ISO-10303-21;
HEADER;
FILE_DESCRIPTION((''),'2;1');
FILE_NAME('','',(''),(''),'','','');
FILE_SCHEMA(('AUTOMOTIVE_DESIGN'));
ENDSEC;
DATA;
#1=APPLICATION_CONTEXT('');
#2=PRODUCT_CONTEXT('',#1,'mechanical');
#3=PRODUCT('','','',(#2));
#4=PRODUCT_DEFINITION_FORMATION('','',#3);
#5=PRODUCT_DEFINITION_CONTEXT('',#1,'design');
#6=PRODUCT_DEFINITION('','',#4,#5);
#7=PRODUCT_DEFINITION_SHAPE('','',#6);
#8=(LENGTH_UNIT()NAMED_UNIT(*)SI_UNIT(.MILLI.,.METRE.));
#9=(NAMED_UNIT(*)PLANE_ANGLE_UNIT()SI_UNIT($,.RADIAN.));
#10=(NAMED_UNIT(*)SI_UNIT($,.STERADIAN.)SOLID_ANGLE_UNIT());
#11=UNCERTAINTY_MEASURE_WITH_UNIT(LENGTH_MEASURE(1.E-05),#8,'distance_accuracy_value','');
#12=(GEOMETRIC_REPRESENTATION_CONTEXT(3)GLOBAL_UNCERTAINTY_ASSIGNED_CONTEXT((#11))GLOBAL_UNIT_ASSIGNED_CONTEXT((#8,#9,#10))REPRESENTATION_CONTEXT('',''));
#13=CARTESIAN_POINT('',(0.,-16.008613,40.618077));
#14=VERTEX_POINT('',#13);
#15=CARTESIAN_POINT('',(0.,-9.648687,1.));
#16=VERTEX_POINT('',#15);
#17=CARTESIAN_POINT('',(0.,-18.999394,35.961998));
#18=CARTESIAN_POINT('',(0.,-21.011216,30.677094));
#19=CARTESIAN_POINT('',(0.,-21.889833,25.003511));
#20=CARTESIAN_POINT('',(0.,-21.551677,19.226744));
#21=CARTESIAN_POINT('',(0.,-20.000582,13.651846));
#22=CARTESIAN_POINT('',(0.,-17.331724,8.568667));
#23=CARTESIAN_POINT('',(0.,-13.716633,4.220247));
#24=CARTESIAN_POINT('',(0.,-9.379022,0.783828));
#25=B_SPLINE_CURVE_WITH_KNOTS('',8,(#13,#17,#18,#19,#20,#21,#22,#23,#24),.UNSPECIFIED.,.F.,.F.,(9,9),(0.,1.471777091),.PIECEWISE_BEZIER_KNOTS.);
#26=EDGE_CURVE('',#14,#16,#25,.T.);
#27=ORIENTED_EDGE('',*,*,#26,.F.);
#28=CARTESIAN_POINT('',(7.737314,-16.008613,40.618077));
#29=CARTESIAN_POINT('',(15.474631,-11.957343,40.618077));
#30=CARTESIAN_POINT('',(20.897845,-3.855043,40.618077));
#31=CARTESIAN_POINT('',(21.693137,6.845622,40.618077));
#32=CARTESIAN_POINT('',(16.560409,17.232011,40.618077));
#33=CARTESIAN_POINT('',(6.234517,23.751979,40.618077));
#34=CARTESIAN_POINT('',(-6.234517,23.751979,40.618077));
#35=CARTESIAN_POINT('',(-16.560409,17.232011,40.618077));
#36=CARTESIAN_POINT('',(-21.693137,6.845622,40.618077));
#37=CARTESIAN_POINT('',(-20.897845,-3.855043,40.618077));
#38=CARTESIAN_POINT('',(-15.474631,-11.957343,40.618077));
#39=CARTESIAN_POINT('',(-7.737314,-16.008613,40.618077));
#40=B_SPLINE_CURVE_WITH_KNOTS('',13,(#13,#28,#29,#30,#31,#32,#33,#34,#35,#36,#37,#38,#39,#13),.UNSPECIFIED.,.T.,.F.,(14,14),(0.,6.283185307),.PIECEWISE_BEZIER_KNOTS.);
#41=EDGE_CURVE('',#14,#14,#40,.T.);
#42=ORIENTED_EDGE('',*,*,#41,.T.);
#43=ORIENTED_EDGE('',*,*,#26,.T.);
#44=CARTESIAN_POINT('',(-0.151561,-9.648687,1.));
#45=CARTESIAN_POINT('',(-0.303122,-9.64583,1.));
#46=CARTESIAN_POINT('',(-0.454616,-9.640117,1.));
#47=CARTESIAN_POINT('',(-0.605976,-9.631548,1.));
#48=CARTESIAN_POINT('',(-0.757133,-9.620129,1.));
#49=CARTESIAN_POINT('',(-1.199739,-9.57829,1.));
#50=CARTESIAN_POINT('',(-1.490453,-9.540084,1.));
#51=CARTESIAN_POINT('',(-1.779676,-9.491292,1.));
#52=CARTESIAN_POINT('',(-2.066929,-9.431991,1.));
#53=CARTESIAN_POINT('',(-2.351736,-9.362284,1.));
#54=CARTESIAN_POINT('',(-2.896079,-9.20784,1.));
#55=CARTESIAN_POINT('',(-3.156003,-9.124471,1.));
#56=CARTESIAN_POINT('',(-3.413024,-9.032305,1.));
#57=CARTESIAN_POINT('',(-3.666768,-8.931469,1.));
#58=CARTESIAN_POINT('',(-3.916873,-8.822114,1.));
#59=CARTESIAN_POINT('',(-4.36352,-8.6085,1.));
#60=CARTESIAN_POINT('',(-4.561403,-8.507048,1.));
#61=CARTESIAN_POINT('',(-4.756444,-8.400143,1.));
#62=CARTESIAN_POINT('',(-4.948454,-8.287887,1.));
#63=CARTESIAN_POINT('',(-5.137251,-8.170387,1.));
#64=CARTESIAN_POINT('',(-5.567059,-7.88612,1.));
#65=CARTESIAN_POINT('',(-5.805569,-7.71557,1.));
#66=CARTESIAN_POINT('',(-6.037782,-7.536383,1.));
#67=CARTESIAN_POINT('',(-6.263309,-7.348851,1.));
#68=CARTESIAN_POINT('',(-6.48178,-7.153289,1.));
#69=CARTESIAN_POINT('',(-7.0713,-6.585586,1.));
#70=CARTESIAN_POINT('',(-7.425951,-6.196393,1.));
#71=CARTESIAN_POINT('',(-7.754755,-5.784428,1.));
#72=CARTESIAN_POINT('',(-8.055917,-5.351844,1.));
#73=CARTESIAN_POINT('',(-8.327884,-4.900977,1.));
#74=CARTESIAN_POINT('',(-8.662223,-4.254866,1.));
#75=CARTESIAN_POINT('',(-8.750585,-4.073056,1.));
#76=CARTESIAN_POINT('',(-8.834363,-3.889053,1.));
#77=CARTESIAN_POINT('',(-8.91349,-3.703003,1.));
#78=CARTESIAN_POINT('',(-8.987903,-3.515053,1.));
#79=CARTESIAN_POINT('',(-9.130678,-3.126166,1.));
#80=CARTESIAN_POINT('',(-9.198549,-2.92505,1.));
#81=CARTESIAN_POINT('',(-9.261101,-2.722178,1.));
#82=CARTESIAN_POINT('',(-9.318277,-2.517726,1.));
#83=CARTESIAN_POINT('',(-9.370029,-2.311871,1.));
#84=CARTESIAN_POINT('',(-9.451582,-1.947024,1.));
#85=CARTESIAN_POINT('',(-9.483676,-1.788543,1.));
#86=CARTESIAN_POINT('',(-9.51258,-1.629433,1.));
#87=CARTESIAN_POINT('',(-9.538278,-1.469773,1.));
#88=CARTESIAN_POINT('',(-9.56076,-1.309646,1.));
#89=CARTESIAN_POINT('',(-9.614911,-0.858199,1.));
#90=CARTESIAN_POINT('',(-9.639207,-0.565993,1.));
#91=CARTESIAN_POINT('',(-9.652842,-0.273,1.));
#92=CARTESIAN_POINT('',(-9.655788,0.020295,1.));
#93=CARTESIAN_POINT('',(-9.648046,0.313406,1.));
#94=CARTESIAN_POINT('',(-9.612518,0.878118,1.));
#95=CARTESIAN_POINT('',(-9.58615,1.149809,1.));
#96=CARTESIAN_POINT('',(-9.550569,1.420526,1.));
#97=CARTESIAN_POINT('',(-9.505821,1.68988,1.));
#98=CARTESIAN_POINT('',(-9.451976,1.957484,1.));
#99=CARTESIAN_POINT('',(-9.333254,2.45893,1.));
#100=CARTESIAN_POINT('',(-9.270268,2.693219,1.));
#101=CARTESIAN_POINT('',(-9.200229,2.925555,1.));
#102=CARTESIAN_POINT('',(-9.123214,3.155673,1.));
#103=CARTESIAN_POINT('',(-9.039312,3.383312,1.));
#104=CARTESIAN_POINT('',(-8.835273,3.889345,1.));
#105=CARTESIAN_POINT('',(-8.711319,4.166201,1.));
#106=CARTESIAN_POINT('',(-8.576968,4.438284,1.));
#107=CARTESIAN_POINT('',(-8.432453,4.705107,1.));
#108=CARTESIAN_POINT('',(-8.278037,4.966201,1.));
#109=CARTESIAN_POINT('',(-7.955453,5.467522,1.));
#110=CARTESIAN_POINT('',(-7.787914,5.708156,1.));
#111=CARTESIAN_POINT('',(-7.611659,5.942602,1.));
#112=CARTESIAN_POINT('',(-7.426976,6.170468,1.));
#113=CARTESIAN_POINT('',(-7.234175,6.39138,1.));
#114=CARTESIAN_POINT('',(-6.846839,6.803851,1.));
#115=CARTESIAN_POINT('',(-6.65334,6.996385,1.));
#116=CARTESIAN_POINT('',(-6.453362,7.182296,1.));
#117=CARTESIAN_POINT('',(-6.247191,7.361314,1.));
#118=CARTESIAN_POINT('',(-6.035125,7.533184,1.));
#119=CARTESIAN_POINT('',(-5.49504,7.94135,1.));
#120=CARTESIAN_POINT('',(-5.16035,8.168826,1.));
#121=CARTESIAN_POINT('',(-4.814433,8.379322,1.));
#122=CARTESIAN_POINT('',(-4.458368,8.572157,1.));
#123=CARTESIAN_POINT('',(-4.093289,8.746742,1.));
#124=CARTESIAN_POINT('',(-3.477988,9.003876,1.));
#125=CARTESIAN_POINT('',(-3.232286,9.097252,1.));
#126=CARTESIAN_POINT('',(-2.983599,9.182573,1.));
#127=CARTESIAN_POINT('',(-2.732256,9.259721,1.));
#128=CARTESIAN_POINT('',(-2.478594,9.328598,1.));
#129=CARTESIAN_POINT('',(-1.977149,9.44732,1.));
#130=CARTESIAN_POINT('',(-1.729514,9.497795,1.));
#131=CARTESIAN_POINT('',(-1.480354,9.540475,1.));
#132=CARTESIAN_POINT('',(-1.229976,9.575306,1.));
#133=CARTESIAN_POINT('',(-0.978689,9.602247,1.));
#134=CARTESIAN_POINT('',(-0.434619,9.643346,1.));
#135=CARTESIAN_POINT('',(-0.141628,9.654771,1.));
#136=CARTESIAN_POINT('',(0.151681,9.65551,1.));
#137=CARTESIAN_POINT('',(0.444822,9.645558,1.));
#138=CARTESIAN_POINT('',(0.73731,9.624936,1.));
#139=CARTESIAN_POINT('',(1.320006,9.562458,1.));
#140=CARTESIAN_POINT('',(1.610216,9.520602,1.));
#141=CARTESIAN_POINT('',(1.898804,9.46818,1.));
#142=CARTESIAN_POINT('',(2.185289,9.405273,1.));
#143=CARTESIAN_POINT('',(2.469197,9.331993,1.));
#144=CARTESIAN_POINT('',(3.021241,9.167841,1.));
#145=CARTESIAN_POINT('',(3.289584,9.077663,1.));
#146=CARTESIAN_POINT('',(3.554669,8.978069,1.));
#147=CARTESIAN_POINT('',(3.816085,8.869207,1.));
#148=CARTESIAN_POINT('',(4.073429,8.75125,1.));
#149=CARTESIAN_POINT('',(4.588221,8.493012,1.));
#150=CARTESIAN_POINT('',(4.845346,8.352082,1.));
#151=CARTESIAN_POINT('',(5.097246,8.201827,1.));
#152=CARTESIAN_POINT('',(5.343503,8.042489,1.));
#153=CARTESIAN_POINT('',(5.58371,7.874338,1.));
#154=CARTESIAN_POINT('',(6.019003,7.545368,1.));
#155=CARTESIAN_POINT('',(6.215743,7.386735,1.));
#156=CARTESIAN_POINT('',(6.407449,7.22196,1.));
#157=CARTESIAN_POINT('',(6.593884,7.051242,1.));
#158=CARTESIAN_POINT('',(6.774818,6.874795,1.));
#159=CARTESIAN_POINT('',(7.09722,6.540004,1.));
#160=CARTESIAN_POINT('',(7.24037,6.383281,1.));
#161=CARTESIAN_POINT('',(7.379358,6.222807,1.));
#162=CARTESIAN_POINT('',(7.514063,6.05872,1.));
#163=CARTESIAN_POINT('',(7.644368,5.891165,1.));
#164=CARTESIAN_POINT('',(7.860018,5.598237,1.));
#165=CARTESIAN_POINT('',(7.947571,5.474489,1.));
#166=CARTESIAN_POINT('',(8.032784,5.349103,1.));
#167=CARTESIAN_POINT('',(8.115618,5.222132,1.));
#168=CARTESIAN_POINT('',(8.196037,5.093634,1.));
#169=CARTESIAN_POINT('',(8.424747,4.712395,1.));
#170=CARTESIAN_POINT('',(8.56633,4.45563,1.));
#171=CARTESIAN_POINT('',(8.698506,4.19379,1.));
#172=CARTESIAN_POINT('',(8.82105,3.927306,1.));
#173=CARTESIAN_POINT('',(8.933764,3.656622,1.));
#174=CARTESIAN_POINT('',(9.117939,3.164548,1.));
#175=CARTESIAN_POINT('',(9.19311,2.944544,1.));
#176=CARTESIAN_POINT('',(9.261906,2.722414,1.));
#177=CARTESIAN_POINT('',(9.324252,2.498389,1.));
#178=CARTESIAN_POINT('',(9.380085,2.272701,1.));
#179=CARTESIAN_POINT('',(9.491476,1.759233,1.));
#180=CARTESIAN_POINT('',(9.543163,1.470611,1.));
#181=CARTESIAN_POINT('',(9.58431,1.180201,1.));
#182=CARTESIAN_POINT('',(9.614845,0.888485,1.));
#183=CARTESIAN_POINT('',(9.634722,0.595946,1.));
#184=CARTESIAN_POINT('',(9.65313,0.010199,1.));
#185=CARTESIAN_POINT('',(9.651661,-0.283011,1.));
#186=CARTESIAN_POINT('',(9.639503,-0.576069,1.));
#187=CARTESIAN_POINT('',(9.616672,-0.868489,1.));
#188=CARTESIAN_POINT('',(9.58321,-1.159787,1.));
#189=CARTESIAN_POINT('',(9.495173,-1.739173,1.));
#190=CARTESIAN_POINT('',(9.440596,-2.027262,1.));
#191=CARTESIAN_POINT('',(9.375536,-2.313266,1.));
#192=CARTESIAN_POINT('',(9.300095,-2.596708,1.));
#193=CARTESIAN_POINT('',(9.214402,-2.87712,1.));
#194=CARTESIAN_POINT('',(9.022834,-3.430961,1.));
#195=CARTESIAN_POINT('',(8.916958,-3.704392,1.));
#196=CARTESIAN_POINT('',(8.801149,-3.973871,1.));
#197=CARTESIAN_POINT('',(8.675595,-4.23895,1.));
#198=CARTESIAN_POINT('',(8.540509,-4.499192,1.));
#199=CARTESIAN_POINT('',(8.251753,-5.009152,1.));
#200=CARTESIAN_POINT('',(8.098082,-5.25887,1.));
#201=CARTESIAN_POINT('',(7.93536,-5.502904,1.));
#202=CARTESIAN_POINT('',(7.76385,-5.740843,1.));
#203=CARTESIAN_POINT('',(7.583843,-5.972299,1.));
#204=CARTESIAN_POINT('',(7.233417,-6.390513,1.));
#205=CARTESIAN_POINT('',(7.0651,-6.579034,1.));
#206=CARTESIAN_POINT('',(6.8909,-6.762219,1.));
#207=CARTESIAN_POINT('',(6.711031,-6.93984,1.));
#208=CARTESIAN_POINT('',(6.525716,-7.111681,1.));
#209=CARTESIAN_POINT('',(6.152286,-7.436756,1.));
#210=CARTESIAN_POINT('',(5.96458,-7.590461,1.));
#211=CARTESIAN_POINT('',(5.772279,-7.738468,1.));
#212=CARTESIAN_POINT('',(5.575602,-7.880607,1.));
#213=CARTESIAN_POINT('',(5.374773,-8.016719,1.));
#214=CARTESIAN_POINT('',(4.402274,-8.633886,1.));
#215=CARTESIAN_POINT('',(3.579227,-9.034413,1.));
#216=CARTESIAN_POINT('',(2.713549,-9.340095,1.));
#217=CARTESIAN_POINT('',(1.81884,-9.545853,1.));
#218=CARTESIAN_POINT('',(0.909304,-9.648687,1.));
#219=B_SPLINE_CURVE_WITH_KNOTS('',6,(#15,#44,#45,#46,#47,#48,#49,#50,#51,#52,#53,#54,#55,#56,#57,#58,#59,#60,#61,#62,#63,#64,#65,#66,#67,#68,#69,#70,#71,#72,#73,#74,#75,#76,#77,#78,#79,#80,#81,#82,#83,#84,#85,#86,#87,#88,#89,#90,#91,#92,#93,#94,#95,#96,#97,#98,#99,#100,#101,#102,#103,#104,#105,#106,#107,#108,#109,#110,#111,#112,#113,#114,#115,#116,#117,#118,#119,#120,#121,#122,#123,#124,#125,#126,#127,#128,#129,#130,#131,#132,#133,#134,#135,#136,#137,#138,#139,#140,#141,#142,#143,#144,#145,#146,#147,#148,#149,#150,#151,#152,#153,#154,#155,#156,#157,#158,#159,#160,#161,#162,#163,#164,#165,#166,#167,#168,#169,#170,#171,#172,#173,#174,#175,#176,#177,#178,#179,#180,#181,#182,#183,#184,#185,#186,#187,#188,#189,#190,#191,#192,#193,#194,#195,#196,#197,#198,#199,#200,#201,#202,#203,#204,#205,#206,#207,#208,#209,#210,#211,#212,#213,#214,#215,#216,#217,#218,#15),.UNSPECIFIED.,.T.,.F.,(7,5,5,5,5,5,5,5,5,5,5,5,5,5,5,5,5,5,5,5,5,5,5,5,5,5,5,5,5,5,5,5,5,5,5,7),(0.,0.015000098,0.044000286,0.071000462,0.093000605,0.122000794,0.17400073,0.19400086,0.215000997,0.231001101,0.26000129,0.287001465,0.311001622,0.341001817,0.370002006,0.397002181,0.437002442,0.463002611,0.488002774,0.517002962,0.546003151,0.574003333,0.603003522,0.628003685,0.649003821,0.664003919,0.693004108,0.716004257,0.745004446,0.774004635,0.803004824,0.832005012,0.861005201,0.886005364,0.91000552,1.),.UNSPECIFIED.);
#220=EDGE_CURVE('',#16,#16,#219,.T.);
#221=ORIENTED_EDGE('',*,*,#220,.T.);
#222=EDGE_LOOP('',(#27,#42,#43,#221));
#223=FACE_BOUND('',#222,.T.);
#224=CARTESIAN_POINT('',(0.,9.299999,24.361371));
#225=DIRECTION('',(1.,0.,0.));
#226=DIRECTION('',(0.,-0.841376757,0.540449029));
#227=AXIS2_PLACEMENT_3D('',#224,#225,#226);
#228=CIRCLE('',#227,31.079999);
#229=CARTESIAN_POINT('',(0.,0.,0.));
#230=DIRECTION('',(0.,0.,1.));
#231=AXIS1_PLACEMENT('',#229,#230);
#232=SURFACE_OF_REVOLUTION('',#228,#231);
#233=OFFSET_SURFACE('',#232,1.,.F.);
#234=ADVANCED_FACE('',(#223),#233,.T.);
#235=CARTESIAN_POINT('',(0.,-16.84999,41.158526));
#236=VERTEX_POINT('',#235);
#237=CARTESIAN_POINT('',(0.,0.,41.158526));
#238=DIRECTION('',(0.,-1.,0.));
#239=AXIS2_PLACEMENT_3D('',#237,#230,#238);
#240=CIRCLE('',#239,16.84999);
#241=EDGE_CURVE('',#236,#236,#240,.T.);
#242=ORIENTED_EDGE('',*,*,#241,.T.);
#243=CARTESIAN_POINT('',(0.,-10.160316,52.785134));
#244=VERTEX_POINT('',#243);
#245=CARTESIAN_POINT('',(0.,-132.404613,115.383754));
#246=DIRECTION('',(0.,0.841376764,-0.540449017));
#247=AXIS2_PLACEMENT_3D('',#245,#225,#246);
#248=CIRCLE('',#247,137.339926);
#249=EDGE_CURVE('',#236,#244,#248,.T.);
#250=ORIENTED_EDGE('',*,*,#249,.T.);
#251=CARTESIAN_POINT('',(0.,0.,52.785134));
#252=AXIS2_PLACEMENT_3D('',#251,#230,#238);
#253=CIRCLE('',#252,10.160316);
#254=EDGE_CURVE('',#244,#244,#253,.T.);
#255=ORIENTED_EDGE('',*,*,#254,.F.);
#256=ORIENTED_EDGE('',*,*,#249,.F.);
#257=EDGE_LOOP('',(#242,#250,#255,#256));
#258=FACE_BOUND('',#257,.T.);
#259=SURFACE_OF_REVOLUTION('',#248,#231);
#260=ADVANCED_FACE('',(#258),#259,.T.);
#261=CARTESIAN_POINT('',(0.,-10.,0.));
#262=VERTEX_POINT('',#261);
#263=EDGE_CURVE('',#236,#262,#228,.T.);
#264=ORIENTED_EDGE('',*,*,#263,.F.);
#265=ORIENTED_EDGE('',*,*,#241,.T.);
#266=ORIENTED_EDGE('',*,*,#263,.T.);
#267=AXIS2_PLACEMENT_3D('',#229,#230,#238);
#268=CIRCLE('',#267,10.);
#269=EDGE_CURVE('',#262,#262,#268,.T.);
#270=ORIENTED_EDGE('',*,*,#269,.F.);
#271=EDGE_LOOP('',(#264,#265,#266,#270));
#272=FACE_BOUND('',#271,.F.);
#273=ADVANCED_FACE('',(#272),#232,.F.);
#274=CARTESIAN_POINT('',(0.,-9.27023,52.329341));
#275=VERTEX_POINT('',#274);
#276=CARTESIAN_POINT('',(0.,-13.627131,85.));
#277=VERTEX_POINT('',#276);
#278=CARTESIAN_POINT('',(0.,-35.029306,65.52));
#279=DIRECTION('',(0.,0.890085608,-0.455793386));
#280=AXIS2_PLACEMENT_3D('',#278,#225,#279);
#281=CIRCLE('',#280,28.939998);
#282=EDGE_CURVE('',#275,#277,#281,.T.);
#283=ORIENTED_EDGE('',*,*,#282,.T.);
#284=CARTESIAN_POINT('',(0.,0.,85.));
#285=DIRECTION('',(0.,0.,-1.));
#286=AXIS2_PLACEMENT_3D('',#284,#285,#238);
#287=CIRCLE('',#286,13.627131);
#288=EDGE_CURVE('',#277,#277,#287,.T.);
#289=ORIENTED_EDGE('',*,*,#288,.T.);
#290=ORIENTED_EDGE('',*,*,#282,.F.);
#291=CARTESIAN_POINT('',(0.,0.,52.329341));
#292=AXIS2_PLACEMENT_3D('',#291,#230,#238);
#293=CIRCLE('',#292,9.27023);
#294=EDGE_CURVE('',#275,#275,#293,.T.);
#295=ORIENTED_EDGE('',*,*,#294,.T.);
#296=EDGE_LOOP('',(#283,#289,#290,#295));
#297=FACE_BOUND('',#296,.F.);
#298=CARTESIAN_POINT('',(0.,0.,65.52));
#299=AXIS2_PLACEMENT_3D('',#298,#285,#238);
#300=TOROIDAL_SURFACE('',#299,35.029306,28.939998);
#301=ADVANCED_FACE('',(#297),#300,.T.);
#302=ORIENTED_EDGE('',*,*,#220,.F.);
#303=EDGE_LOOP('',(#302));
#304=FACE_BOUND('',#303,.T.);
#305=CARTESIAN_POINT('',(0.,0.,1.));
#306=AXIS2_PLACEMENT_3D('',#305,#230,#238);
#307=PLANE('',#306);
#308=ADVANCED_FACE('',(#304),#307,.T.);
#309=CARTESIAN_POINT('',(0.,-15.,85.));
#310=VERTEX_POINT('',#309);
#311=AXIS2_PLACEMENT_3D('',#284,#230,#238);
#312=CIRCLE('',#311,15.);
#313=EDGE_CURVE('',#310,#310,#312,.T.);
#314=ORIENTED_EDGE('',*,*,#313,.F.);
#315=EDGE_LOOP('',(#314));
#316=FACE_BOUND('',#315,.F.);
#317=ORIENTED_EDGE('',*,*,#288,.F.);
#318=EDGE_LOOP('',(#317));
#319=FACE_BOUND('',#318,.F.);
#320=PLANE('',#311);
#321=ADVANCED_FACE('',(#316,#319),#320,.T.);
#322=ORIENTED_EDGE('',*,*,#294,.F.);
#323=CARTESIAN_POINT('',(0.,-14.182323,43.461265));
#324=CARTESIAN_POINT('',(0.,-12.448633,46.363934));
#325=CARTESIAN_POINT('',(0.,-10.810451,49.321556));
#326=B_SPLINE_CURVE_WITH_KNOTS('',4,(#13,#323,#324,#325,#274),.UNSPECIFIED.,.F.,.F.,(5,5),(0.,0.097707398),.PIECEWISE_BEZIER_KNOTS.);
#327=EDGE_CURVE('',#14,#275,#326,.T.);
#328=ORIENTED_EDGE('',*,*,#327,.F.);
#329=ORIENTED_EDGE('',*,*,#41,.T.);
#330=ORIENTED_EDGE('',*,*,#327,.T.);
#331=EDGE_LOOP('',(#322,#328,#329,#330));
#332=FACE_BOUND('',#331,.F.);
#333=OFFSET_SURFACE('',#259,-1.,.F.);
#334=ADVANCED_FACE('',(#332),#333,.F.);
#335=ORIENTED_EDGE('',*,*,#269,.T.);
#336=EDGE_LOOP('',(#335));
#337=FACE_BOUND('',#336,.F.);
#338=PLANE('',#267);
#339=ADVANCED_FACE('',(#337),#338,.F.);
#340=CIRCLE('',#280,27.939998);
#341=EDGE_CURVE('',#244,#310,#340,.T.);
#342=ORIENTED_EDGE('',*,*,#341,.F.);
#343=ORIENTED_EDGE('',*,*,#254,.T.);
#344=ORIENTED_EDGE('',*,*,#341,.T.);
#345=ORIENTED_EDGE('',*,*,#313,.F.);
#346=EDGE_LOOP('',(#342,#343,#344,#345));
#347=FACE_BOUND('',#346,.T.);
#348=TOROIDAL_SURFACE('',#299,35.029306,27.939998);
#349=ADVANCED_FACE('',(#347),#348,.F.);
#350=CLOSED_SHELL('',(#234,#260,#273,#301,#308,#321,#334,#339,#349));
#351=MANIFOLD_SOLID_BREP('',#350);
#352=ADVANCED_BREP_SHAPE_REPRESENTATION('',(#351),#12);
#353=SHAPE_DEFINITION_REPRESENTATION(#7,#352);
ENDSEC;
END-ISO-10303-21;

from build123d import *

# Parameters (mm, degrees)
THICKNESS_T = -1


with BuildPart() as part:
    # Sketch → Revolution (revolve)
    with BuildSketch(Plane.YZ):
        with BuildLine():
            Line((0, 85), (-15, 85))
            ThreePointArc((-10.160316, 52.785134), (-7.399365, 69.670885), (-15, 85))
            ThreePointArc((-16.84999, 41.158526), (-13.363124, 46.89011), (-10.160316, 52.785134))
            ThreePointArc((-16.84999, 41.158526), (-21.358302, 19.258927), (-10, 0))
            Line((-10, 0), (0, 0))
            Line((0, 0), (0, 85))
        make_face()
    revolve(axis=Axis((0, 0, 0), (0, 0, 1)))

    # Thickness
    thickness_openings = [part.faces().sort_by_distance(p)[0] for p in [
        (0, 0, 85),
    ]]
    offset(amount=THICKNESS_T, openings=thickness_openings)


solid = part.part
